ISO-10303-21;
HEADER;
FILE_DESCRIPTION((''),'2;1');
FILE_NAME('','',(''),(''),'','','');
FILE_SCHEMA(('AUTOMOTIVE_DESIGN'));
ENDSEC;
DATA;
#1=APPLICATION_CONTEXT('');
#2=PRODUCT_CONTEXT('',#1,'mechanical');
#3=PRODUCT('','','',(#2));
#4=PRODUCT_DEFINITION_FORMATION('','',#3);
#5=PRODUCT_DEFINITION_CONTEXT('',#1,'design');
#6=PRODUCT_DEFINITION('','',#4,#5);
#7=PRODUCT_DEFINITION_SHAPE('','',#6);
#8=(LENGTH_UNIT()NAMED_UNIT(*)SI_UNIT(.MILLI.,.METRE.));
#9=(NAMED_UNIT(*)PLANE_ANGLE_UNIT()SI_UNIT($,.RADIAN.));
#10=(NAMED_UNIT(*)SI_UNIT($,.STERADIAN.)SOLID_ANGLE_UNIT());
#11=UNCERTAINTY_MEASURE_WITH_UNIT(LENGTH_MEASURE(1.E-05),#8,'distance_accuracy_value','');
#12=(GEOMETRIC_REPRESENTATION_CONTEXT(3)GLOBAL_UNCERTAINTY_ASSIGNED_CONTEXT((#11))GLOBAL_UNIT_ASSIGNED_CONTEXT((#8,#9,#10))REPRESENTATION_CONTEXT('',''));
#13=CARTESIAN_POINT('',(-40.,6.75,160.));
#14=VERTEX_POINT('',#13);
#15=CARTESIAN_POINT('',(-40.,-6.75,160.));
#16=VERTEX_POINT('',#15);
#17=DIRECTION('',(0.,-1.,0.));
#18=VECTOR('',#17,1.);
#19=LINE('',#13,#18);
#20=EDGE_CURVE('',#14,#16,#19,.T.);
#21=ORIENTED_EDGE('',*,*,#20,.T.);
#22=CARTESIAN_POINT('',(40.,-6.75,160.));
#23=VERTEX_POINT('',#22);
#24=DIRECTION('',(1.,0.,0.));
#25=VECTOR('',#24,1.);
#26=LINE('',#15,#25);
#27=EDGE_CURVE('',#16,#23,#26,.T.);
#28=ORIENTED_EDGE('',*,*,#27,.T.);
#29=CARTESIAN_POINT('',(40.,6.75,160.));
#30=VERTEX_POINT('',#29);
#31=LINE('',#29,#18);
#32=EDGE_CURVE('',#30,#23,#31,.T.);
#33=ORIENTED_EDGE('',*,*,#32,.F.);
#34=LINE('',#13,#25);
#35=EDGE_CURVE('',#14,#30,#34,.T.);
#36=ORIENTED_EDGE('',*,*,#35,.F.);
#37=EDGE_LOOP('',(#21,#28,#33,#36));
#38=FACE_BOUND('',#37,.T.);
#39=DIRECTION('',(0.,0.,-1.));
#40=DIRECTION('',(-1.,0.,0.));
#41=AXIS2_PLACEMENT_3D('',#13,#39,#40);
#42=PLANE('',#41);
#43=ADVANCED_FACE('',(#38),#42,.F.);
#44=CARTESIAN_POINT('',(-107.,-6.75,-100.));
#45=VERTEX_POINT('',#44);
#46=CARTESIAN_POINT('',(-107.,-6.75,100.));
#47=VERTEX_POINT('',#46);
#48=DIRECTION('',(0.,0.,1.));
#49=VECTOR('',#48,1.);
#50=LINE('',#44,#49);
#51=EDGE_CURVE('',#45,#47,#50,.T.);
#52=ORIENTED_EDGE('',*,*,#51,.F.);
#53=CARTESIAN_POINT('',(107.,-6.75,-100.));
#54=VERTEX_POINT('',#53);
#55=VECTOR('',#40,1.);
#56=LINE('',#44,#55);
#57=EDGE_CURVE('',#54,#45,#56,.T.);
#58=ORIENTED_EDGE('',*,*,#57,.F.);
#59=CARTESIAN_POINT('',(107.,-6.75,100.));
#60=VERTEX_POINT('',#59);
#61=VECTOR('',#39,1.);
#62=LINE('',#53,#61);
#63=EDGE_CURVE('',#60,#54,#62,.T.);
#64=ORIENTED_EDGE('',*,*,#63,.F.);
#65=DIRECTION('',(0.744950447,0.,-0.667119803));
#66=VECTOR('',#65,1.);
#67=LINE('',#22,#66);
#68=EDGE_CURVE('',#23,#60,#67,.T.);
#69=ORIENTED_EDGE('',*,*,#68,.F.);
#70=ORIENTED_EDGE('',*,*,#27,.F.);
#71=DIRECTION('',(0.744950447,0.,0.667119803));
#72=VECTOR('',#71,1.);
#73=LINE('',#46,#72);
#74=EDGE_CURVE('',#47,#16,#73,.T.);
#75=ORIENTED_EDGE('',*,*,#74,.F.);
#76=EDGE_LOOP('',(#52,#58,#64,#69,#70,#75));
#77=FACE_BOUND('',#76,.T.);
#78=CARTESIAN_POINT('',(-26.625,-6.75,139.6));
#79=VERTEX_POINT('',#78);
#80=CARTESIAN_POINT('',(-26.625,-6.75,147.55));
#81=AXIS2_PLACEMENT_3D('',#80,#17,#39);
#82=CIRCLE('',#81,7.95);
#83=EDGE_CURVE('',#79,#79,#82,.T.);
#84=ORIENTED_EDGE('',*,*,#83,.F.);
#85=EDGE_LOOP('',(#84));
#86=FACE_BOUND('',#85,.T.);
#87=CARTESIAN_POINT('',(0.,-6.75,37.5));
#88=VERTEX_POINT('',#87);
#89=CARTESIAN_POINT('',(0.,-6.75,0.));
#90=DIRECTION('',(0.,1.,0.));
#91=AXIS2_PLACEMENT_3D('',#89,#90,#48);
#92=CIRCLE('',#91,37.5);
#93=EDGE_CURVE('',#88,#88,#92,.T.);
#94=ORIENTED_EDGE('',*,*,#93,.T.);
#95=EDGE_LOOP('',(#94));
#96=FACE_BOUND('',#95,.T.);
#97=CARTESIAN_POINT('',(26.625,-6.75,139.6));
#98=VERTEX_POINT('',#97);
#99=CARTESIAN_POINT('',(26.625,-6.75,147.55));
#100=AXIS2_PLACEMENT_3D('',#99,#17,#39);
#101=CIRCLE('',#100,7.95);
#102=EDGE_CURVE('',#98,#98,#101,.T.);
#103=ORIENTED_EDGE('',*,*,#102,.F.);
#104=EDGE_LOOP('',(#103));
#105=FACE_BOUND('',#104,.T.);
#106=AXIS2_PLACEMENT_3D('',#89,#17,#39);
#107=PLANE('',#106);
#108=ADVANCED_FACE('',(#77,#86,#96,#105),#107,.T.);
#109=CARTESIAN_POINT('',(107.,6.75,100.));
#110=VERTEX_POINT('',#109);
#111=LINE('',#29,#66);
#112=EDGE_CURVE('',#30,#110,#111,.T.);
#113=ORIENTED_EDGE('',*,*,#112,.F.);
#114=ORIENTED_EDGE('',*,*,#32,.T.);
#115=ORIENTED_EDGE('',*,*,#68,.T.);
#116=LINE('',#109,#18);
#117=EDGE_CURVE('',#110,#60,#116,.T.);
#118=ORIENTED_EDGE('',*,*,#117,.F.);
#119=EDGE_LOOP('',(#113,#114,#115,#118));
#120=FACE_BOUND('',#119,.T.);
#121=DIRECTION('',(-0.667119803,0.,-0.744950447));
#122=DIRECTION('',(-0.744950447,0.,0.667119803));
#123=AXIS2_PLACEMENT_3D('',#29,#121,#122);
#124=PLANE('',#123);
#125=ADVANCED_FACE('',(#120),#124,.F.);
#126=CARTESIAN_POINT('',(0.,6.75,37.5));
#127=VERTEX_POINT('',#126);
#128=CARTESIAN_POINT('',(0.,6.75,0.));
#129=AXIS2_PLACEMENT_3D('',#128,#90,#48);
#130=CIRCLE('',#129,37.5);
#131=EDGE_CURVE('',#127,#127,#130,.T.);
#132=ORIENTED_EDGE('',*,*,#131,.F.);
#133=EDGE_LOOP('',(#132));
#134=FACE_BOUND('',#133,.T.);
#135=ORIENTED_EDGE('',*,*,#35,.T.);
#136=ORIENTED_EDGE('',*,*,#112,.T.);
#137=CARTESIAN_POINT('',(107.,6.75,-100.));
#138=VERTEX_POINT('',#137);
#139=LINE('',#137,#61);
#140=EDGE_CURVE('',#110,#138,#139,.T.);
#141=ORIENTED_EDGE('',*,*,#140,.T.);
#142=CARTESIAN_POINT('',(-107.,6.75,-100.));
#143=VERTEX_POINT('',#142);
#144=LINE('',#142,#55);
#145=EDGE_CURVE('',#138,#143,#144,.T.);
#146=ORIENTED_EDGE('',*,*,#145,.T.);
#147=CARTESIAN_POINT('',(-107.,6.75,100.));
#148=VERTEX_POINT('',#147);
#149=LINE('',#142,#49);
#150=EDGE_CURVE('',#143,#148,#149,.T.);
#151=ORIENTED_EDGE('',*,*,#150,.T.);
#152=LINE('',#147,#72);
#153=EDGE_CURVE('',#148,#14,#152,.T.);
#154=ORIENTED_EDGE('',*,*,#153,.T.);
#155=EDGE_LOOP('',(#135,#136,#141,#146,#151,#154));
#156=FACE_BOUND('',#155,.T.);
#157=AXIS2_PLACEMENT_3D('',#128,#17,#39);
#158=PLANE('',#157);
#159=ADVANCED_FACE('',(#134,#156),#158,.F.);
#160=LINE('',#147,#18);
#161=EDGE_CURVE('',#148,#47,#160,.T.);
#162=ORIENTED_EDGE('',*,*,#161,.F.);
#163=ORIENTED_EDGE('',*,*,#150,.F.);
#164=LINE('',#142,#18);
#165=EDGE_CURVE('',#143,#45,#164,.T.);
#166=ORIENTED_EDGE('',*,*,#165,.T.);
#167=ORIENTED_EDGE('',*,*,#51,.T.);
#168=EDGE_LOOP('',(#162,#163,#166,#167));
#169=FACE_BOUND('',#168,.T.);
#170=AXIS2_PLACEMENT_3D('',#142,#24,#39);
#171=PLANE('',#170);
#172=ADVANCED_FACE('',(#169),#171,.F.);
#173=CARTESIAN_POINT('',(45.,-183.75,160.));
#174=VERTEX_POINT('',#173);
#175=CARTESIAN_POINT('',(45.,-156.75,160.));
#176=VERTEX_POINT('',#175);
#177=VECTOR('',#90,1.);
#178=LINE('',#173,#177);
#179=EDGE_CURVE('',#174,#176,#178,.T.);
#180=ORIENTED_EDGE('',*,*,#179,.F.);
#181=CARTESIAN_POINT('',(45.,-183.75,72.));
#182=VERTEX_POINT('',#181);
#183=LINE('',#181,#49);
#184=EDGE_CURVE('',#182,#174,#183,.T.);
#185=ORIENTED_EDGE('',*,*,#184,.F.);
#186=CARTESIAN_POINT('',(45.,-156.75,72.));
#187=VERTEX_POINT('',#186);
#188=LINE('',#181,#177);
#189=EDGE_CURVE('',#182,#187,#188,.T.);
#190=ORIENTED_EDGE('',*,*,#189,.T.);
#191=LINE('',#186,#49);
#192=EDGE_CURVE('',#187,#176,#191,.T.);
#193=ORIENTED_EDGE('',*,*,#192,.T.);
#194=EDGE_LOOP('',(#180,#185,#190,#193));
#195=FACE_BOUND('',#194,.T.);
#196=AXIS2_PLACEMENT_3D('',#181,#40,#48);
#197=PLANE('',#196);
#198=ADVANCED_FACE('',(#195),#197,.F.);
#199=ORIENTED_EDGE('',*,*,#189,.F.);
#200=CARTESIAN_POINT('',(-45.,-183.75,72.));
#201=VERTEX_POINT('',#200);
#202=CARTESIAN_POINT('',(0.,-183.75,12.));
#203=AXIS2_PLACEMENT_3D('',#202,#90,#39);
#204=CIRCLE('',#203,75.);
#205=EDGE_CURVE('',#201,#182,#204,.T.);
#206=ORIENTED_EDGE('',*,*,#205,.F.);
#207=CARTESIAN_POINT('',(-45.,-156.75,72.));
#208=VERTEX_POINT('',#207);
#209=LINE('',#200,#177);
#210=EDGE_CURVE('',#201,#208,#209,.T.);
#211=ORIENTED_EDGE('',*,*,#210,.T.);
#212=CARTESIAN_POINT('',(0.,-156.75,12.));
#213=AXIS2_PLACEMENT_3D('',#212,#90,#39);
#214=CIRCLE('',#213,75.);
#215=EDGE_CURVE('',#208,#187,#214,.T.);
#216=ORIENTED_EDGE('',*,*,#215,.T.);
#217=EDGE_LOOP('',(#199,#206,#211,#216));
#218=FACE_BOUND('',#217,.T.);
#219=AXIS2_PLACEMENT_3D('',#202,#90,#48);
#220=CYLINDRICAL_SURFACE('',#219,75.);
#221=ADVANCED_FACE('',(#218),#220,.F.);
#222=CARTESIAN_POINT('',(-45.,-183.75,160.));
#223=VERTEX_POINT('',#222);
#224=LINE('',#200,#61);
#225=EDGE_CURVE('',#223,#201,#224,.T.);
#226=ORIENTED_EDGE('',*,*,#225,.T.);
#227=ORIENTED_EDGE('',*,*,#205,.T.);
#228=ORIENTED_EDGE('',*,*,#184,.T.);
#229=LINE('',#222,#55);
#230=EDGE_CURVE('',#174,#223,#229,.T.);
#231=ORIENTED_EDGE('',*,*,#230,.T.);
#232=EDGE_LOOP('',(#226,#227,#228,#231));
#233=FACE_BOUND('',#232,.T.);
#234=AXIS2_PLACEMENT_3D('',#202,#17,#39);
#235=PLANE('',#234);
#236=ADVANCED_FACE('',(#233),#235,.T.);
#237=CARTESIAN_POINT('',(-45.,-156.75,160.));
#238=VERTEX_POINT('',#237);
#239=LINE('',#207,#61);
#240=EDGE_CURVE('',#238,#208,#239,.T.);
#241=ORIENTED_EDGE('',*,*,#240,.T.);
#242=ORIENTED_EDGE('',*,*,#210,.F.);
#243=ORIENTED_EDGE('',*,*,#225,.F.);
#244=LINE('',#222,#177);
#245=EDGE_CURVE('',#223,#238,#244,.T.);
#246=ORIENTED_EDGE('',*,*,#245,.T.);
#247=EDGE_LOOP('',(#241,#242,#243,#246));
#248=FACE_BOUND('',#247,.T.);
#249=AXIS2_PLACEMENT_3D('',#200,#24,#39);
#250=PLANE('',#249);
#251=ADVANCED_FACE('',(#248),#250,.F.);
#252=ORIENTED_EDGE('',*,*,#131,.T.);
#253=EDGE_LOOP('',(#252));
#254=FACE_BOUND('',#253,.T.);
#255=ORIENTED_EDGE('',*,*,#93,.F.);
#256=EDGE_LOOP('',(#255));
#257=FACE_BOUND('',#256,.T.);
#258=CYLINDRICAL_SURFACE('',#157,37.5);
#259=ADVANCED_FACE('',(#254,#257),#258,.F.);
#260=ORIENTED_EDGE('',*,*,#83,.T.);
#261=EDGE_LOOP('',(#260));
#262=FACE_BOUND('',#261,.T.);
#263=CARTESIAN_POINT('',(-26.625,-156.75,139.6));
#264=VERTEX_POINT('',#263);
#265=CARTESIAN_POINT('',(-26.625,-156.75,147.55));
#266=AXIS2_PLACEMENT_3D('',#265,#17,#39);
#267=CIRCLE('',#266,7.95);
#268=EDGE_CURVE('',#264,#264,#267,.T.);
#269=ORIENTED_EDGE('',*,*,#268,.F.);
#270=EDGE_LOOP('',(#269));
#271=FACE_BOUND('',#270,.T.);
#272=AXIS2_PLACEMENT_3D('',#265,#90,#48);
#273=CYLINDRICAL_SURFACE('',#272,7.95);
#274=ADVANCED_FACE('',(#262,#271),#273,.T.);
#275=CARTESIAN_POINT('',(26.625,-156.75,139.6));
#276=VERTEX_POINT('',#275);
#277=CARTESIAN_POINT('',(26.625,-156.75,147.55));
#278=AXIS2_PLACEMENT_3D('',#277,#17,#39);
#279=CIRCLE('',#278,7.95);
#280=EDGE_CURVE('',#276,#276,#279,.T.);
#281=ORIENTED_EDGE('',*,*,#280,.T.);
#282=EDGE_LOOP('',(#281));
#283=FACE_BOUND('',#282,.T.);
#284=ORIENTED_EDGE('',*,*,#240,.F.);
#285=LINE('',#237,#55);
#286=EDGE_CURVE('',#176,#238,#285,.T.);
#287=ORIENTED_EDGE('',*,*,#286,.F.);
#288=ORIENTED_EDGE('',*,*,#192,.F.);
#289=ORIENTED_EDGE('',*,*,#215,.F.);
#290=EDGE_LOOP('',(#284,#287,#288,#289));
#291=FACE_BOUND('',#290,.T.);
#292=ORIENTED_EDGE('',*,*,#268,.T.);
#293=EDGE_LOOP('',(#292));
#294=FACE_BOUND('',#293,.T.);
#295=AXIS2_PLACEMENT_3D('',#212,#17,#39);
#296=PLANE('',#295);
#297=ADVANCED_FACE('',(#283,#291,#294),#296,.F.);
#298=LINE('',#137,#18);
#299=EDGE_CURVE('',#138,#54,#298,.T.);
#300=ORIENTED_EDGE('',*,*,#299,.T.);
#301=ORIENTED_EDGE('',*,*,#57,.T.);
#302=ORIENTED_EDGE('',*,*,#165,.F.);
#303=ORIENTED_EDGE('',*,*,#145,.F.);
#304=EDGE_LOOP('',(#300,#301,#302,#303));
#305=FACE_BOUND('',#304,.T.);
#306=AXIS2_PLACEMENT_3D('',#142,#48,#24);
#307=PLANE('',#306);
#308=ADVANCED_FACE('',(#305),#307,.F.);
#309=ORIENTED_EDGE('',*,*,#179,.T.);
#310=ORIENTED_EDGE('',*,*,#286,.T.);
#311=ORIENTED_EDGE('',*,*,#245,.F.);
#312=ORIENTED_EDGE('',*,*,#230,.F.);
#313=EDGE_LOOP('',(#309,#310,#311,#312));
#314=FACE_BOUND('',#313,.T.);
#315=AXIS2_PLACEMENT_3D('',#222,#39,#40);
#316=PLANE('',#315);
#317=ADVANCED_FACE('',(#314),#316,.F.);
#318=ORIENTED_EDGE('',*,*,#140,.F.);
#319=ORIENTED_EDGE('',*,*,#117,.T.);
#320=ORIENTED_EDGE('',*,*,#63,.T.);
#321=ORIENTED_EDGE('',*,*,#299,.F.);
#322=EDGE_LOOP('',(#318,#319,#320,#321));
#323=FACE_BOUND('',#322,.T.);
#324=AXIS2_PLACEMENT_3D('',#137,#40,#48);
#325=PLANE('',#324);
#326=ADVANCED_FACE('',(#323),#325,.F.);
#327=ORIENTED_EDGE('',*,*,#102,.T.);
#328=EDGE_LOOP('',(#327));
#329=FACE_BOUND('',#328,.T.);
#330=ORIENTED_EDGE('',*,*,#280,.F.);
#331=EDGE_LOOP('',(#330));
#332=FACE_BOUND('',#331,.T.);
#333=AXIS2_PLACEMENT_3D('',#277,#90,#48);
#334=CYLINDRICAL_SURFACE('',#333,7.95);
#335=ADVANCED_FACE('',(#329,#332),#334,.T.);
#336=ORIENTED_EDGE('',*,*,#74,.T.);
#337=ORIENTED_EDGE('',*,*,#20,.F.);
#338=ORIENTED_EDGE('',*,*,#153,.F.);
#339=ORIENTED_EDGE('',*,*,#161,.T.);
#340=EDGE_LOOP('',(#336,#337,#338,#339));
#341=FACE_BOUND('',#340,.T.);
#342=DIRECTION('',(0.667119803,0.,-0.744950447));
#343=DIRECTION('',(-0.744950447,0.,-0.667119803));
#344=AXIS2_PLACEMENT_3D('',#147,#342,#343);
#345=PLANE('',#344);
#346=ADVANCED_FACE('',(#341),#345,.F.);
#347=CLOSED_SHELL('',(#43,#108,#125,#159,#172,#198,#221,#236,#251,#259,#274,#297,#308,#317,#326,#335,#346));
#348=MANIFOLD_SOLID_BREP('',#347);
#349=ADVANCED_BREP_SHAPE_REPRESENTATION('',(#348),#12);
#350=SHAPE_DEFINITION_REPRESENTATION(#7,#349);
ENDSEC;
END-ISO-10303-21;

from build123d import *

# Parameters (mm, degrees)
SKETCH2_R           = 37.5
BOSS_EXTRUDE1_DEPTH = 6.75
SKETCH3_R           = 7.95
BOSS_EXTRUDE2_DEPTH = 150
BOSS_EXTRUDE3_DEPTH = 27


with BuildPart() as part:
    # Sketch2 → Boss-Extrude1 (new body, symmetric)
    with BuildSketch(Plane(origin=(0, 0, 0), x_dir=(1, 0, 0), z_dir=(0, 1, 0))):
        Polygon((-107, -100), (-40, -160), (40, -160), (107, -100), (107, 100), (-107, 100), align=None)
        Circle(SKETCH2_R, mode=Mode.SUBTRACT)
    extrude(amount=BOSS_EXTRUDE1_DEPTH, both=True)

    # Sketch3 → Boss-Extrude2 (add)
    with BuildSketch(Plane.XZ.offset(6.75)):
        with Locations((26.625, 147.55)):
            Circle(SKETCH3_R)
        with Locations((-26.625, 147.55)):
            Circle(SKETCH3_R)
    extrude(amount=BOSS_EXTRUDE2_DEPTH)

    # Sketch4 → Boss-Extrude3 (add)
    with BuildSketch(Plane.XZ.offset(156.75)):
        with BuildLine():
            Line((-45, 72), (-45, 160))
            Line((-45, 160), (45, 160))
            Line((45, 160), (45, 72))
            ThreePointArc((45, 72), (0, 87), (-45, 72))
        make_face()
    extrude(amount=BOSS_EXTRUDE3_DEPTH)


solid = part.part
